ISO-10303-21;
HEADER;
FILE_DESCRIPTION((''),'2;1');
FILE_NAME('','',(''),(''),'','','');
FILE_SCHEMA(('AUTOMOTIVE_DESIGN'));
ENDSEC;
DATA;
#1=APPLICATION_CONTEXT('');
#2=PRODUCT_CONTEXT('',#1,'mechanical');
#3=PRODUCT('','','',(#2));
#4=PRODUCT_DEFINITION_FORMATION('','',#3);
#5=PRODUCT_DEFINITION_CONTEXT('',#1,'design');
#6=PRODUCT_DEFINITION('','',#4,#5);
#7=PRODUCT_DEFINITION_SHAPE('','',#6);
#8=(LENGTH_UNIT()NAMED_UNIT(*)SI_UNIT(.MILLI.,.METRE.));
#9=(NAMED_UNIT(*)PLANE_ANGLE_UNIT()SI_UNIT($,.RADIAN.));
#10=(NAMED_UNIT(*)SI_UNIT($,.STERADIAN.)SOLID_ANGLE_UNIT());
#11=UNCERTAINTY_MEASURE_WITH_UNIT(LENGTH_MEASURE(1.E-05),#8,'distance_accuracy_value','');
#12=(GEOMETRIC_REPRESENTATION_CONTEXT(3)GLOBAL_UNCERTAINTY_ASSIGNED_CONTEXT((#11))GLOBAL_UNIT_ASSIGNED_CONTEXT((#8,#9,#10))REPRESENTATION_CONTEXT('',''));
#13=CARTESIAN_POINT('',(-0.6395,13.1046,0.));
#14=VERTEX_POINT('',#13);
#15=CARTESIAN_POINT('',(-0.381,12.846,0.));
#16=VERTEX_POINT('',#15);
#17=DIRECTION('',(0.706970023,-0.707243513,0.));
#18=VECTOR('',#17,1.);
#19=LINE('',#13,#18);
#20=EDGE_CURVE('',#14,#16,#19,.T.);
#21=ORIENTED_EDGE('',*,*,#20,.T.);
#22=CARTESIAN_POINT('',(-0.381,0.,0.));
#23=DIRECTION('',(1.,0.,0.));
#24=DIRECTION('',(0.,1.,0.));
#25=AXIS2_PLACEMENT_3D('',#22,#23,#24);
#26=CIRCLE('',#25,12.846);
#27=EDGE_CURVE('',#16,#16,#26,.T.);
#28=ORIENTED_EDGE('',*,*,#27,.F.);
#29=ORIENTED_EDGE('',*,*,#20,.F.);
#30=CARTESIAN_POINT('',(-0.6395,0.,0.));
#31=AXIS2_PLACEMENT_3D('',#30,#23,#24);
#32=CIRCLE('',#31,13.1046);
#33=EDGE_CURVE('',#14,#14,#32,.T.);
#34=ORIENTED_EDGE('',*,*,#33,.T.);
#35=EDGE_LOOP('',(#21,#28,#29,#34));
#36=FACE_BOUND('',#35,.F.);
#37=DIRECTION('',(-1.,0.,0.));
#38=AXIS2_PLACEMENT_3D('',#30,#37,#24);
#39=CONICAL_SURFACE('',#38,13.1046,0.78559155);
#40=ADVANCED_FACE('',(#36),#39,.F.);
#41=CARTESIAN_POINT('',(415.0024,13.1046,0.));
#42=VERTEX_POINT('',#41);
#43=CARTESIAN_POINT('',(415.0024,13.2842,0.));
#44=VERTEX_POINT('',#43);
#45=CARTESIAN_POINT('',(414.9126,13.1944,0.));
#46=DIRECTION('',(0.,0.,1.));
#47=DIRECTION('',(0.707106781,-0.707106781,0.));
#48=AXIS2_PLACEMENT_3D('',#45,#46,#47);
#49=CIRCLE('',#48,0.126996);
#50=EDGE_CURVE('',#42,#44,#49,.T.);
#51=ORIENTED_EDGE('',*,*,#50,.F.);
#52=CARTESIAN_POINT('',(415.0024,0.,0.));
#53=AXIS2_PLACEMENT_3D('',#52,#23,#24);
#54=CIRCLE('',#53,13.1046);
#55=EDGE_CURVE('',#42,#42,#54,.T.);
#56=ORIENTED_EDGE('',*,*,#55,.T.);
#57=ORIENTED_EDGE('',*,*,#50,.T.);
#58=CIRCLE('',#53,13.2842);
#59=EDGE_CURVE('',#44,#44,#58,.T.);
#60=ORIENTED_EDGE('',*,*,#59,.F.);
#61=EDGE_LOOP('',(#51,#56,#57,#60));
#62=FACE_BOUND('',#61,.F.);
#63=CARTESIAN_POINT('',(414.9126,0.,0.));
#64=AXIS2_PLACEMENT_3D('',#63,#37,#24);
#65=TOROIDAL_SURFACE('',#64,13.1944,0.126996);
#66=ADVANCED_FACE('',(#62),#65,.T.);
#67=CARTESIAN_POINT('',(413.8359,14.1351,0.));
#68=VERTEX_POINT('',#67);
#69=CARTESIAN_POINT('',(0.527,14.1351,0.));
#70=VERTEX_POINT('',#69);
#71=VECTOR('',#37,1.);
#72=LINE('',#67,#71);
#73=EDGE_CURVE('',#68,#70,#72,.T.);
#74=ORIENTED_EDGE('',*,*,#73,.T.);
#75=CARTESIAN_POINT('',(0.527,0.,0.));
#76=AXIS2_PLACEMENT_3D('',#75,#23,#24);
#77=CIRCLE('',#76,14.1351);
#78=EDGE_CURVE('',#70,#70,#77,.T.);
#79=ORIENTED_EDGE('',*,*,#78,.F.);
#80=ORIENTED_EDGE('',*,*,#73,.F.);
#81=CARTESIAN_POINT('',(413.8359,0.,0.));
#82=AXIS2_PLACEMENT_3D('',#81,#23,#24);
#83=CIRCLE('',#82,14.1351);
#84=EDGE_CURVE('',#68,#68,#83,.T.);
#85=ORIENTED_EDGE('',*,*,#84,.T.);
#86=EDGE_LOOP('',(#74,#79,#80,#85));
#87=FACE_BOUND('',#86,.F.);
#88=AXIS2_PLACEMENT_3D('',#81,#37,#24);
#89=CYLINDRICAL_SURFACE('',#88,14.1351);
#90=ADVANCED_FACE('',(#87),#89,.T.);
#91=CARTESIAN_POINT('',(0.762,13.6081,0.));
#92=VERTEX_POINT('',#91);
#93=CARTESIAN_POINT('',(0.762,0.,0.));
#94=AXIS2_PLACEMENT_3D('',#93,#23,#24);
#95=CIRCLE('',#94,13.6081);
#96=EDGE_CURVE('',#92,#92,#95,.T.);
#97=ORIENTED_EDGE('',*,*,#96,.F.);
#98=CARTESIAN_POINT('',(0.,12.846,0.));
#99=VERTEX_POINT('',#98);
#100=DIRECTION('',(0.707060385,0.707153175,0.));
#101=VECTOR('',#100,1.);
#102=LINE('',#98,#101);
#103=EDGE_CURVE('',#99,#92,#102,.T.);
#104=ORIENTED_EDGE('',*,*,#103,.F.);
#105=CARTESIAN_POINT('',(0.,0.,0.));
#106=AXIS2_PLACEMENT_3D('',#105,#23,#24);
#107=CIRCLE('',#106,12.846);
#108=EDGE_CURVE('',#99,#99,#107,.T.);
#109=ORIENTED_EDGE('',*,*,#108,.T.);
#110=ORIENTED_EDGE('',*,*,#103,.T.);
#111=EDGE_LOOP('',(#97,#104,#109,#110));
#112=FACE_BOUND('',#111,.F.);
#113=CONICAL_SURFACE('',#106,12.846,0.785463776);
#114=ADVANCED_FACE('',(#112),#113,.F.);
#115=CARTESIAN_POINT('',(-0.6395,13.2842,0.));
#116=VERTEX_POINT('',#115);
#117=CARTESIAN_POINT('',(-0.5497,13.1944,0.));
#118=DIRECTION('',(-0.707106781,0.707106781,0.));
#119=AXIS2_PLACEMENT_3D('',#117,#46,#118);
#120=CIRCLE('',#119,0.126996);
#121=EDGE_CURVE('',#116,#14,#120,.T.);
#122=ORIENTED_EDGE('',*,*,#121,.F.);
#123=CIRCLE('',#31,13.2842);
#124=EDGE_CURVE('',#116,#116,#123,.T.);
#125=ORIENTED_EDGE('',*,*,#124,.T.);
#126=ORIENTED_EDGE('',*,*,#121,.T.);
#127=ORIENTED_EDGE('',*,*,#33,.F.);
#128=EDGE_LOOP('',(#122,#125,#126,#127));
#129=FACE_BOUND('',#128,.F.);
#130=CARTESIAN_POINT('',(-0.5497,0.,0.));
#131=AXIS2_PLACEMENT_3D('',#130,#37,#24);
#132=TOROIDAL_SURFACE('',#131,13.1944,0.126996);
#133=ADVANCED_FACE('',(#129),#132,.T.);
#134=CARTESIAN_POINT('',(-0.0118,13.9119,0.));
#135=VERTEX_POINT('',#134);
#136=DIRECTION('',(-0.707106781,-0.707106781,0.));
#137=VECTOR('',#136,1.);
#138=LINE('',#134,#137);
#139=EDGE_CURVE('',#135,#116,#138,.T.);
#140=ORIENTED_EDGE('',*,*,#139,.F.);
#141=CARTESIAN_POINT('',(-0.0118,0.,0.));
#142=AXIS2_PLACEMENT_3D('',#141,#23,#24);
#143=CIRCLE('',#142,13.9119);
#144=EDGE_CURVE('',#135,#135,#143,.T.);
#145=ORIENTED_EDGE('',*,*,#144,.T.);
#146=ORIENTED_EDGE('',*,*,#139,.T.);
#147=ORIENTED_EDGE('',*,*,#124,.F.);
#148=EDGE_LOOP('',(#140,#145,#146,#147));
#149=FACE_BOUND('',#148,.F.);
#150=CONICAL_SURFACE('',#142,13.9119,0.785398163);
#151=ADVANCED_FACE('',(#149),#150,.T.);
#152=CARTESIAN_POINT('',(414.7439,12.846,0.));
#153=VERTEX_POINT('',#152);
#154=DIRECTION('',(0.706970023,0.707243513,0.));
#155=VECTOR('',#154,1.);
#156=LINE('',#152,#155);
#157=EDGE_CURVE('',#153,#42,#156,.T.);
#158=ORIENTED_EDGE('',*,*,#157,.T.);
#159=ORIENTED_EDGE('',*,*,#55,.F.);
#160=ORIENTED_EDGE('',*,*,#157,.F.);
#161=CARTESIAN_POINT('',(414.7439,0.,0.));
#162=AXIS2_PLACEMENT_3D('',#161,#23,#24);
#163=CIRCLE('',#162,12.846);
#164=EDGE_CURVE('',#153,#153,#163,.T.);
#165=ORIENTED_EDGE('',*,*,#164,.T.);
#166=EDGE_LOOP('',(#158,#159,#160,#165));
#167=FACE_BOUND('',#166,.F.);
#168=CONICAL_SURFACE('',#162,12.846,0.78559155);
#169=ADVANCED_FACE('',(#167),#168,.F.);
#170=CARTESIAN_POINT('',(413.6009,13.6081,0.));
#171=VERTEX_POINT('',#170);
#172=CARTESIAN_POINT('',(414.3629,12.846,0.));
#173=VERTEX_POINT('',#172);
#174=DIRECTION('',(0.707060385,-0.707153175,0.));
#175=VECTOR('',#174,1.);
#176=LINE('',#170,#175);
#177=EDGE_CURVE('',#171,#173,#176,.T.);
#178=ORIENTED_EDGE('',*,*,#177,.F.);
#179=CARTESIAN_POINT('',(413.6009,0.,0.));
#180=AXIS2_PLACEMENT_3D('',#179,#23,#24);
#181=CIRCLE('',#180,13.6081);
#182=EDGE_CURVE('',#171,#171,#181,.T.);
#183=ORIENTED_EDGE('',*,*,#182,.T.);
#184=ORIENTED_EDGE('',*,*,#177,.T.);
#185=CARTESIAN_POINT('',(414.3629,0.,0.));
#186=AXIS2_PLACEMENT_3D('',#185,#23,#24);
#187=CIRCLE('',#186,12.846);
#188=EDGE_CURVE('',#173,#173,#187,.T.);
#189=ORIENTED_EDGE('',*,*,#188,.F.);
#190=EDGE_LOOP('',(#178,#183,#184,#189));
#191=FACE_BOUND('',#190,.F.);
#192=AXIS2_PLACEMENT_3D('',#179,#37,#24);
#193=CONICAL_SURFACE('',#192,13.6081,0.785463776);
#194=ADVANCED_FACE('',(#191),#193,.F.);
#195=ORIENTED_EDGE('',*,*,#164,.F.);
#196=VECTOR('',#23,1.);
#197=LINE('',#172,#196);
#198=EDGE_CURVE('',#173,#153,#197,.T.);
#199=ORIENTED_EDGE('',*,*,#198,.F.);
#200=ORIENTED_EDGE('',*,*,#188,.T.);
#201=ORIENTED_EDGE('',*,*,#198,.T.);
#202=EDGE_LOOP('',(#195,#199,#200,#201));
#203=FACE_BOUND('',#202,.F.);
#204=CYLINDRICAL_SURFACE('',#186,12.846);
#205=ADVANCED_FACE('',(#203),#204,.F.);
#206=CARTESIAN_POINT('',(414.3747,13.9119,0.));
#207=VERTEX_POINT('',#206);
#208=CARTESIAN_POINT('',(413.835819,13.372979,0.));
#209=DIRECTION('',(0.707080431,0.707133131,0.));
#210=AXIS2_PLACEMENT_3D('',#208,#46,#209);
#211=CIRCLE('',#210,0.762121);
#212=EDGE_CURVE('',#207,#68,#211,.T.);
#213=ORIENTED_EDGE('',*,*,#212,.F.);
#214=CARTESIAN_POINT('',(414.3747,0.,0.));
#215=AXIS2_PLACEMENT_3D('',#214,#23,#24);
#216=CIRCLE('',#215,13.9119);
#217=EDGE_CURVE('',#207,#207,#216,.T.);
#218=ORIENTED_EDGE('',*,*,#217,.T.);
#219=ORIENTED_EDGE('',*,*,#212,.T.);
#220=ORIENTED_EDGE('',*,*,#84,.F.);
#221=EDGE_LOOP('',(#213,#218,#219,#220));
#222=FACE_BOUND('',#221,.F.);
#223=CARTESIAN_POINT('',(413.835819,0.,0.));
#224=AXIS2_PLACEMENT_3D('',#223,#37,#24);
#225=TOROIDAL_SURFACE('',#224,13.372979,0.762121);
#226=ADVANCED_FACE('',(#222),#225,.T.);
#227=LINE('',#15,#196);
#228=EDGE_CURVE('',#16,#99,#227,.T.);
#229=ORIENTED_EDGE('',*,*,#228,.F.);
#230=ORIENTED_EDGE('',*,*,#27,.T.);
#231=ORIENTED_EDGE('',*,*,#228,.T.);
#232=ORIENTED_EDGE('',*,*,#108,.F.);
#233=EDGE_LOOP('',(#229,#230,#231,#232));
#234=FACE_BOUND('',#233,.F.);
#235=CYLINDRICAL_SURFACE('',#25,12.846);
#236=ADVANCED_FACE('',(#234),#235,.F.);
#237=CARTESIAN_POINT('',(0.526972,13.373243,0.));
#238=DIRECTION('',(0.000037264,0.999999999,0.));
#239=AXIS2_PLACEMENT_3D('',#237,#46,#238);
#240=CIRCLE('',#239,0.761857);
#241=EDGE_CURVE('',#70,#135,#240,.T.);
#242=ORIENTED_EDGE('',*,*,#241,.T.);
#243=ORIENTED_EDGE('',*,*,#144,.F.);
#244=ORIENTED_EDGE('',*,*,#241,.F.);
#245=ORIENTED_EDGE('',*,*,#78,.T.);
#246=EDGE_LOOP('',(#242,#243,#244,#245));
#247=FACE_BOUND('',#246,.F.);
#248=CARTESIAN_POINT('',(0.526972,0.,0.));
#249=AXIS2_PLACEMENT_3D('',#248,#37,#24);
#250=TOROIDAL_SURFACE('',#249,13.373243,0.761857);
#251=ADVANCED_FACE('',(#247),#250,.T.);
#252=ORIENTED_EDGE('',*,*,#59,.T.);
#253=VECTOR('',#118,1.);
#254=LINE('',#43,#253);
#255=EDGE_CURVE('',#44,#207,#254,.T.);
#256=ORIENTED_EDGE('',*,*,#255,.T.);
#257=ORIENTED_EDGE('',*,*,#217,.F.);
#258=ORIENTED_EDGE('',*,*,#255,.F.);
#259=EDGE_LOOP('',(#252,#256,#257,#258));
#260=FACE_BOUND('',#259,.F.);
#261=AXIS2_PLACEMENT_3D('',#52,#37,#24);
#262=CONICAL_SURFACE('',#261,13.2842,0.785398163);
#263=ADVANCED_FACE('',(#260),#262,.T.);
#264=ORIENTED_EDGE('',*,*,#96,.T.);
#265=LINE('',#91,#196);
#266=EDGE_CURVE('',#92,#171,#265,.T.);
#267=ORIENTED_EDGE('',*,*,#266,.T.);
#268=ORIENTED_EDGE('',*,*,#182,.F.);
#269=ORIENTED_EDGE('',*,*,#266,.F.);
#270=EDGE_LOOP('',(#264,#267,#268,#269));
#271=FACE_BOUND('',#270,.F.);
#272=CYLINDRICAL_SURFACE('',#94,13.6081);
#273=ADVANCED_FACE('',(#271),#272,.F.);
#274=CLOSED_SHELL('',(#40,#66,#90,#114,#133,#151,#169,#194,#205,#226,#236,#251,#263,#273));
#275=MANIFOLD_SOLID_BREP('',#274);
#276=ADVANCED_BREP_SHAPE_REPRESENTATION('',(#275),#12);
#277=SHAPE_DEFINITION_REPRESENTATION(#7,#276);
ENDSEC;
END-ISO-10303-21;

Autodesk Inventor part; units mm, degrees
sketch "Sketch_1" plane through (0, 0, 0) normal (0, 0, 1) x (1, 0, 0)
  line L0 (414.3629, 0) -> (0, 0)
  arc A0 (-0.6395, 13.2842) -> (-0.6395, 13.1046) centre (-0.5497, 13.1944) ccw
  line L1 (-0.6395, 13.1046) -> (-0.381, 12.846)
  line L2 (-0.381, 12.846) -> (0, 12.846)
  line L3 (0, 12.846) -> (0.762, 13.6081)
  line L4 (0.762, 13.6081) -> (413.6009, 13.6081)
  line L5 (413.6009, 13.6081) -> (414.3629, 12.846)
  line L6 (414.3629, 12.846) -> (414.7439, 12.846)
  line L7 (414.7439, 12.846) -> (415.0024, 13.1046)
  arc A1 (415.0024, 13.1046) -> (415.0024, 13.2842) centre (414.9126, 13.1944) ccw
  line L8 (415.0024, 13.2842) -> (414.3747, 13.9119)
  arc A2 (414.3747, 13.9119) -> (413.8359, 14.1351) centre (413.8359, 13.3731) ccw
  line L9 (413.8359, 14.1351) -> (0.527, 14.1351)
  arc A3 (0.527, 14.1351) -> (-0.0118, 13.9119) centre (0.527, 13.3731) ccw
  line L10 (-0.0118, 13.9119) -> (-0.6395, 13.2842)
revolve "Revolution1" add sketch "Sketch_1" angle 360 about axis through (414.3629, 0, 0) along (1, 0, 0)
ref_plane "tube_front_XY" through (0, 0, 0) normal (1, 0, 0) x (0, 0, -1)
ref_plane "tube_front_YZ" through (0, 0, 0) normal (0, 0, -1) x (0, 1, 0)
ref_plane "tube_front_ZX" through (0, 0, 0) normal (0, 1, 0) x (1, 0, 0)
ref_plane "tube_rear_XY" through (414.3629, 0, 0) normal (1, 0, 0) x (0, 0, -1)
ref_plane "tube_rear_YZ" through (414.3629, 0, 0) normal (0, 0, -1) x (0, 1, 0)
ref_plane "tube_rear_ZX" through (414.3629, 0, 0) normal (0, 1, 0) x (1, 0, 0)
ref_plane "cp1_XY" through (207.1815, 14.1351, 0) normal (1, 0, 0) x (0, 0, -1)
ref_plane "cp1_YZ" through (207.1815, 14.1351, 0) normal (0, 0, -1) x (0, 1, 0)
ref_plane "cp1_ZX" through (207.1815, 14.1351, 0) normal (0, 1, 0) x (1, 0, 0)
ref_plane "cp2_XY" through (207.1815, 0, -14.1351) normal (1, 0, 0) x (0, 0, -1)
ref_plane "cp2_YZ" through (207.1815, 0, -14.1351) normal (0, 0, -1) x (0, 1, 0)
ref_plane "cp2_ZX" through (207.1815, 0, -14.1351) normal (0, 1, 0) x (1, 0, 0)
ref_plane "cp3_XY" through (207.1815, -14.1351, 0) normal (1, 0, 0) x (0, 0, -1)
ref_plane "cp3_YZ" through (207.1815, -14.1351, 0) normal (0, 0, -1) x (0, 1, 0)
ref_plane "cp3_ZX" through (207.1815, -14.1351, 0) normal (0, 1, 0) x (1, 0, 0)
ref_plane "cp4_XY" through (207.1815, 0, 14.1351) normal (1, 0, 0) x (0, 0, -1)
ref_plane "cp4_YZ" through (207.1815, 0, 14.1351) normal (0, 0, -1) x (0, 1, 0)
ref_plane "cp4_ZX" through (207.1815, 0, 14.1351) normal (0, 1, 0) x (1, 0, 0)
properties part number "09R-16.31350" material "Stainless Steel"
